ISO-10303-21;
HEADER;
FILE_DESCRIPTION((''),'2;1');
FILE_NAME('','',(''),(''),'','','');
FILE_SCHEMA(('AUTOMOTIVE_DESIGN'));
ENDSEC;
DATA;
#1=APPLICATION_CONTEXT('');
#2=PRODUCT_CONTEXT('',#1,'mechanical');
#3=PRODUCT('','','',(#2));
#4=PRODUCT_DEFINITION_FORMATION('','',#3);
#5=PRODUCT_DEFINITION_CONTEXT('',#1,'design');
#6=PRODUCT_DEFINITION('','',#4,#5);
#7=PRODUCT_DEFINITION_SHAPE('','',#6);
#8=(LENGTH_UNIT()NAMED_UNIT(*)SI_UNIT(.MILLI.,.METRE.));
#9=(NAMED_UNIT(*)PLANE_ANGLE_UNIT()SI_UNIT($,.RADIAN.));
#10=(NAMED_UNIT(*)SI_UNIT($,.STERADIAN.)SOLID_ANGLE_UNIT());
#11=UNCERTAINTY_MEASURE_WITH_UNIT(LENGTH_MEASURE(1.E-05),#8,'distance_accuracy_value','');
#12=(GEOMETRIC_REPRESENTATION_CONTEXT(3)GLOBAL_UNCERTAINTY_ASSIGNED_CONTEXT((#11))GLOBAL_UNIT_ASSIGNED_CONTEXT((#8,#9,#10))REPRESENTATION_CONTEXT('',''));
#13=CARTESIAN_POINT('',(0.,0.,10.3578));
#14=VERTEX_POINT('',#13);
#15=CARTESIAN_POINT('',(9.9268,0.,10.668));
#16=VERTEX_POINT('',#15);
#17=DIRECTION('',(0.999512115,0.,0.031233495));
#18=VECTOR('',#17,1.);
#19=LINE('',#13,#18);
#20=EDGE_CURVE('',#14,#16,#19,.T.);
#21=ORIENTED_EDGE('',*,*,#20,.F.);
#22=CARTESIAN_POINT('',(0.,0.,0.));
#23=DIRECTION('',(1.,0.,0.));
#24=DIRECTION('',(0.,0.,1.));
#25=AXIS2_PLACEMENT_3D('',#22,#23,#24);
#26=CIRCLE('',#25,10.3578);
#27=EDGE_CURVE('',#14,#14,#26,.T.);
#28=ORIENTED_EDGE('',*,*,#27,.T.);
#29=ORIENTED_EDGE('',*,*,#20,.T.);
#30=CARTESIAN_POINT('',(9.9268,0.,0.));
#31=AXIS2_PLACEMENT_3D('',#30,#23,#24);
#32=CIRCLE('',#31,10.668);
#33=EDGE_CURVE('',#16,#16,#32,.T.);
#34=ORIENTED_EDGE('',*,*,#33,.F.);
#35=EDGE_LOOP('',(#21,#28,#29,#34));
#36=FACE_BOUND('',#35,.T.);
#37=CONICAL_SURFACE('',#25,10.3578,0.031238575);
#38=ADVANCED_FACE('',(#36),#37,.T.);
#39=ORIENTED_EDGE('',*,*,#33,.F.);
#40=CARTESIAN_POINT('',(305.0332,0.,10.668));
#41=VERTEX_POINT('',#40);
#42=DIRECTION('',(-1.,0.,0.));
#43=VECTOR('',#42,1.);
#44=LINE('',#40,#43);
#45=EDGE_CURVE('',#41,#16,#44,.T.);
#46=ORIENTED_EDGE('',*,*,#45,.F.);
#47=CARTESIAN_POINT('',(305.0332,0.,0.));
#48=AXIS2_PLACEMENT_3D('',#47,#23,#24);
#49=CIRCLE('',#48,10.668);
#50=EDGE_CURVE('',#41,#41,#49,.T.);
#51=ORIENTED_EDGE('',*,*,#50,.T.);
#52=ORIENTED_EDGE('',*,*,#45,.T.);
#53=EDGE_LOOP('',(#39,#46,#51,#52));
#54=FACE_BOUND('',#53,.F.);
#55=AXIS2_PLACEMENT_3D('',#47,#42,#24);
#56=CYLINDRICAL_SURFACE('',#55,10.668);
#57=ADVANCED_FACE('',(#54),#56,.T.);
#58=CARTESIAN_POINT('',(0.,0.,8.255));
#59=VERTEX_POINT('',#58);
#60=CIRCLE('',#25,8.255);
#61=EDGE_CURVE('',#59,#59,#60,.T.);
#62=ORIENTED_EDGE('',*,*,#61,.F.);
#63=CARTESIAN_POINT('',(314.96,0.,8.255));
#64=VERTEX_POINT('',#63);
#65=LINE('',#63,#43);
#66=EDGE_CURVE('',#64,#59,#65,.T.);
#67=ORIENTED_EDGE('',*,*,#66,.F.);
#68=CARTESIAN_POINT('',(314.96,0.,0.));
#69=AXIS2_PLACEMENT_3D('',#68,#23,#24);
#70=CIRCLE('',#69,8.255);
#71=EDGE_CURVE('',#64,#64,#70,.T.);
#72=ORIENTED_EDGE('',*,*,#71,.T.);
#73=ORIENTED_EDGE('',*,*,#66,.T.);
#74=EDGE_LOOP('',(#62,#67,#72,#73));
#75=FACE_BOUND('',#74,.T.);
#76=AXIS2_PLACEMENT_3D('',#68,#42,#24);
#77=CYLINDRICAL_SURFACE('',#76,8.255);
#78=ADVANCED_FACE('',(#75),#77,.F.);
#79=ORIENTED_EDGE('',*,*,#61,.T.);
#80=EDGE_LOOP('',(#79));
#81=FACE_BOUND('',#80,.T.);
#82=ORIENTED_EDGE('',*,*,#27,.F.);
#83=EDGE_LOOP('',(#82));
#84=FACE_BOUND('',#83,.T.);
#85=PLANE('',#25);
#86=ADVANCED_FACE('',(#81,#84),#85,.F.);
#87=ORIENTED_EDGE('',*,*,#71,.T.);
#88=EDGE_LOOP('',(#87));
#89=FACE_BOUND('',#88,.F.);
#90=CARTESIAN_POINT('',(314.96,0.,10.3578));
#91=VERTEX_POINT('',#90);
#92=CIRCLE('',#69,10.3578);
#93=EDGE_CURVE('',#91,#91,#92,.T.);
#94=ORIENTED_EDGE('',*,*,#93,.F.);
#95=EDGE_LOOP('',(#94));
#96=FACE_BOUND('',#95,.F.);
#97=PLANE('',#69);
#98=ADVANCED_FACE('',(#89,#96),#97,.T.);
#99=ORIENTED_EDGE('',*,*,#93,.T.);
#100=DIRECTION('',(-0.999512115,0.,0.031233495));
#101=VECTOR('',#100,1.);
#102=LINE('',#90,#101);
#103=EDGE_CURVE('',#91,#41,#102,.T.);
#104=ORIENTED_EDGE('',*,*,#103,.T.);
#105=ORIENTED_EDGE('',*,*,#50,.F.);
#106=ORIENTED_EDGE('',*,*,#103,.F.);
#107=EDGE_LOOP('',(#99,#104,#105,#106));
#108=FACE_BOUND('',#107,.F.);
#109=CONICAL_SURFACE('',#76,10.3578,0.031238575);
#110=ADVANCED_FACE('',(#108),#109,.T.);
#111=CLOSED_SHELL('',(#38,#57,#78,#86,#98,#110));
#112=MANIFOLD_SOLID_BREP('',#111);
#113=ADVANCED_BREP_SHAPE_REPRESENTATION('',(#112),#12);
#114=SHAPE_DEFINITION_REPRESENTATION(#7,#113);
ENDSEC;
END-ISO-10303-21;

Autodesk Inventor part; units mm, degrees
ref_plane "YZ Plane" through (0, 0, 0) normal (1, 0, 0) x (0, 1, 0)
ref_plane "XZ Plane" through (0, 0, 0) normal (0, 1, 0) x (-1, 0, 0)
ref_plane "XY Plane" through (0, 0, 0) normal (0, 0, 1) x (1, 0, 0)
sketch "Sketch1" plane through (0, 0, 0) normal (0, 1, 0) x (-1, 0, 0)
  line L0 (0, 0) -> (-314.96, 0)
  line L1 (-314.96, 0) -> (-314.96, 8.255) construction
  line L2 (-314.96, 8.255) -> (-314.96, 10.3578)
  line L3 (-314.96, 10.3578) -> (-305.0332, 10.668)
  line L4 (-305.0332, 10.668) -> (-9.9268, 10.668)
  line L5 (-157.48, 0) -> (-157.48, 10.668) construction
  line L6 (-314.96, 8.255) -> (0, 8.255)
  line L7 (0, 0) -> (0, 8.255) construction
  line L8 (0, 8.255) -> (0, 10.3578)
  line L9 (0, 10.3578) -> (-9.9268, 10.668)
  line L10 (-301.404, 10.7814) -> (-301.404, 0) construction
  line L11 (-13.556, 10.7814) -> (-13.556, 0) construction
  line L12 (-305.0332, 10.668) -> (-301.404, 10.7814) construction
  line L13 (-305.0332, 10.668) -> (-305.0332, 0) construction
  line L14 (-9.9268, 10.668) -> (-13.556, 10.7814) construction
  line L15 (-9.9268, 10.668) -> (-9.9268, 0) construction
  dimension "d0" = 21.336
  dimension "d1" = 1.79
  dimension "d2" = 16.51
  dimension "d3" = 314.96
  dimension "d4" = 13.556
  dimension "d5" = 21.5628
revolve "Revolution1" add sketch "Sketch1" angle 360 about axis through (0, 0, 0) along (1, 0, 0)
thread "Thread1" size "1/2" designation "1/2 - 14 NPT" standard "NPT" full length
thread "Thread2" size "1/2" designation "1/2 - 14 NPT" standard "NPT" full length
equation "\"d0\" = OD"
equation "\"d2\" = ID"
equation "\"d3\" = L"
equation "\"d4\" = L2"
equation "\"d5\" = D2"
equation "\"OD\" = 21.336"
equation "\"t\" = 2.413"
equation "\"L\" = PL"
equation "\"L4\" = 19.8501"
equation "\"ID\" = 16.51"
equation "\"PL\" = 314.96"
equation "\"D2\" = 21.56282"
equation "\"L2\" = 13.55598"
equation "\"Size_Designation\" = 1.2345"
equation "\"PLmin\" = 2 * L2"
properties material "Steel, Wrought"
